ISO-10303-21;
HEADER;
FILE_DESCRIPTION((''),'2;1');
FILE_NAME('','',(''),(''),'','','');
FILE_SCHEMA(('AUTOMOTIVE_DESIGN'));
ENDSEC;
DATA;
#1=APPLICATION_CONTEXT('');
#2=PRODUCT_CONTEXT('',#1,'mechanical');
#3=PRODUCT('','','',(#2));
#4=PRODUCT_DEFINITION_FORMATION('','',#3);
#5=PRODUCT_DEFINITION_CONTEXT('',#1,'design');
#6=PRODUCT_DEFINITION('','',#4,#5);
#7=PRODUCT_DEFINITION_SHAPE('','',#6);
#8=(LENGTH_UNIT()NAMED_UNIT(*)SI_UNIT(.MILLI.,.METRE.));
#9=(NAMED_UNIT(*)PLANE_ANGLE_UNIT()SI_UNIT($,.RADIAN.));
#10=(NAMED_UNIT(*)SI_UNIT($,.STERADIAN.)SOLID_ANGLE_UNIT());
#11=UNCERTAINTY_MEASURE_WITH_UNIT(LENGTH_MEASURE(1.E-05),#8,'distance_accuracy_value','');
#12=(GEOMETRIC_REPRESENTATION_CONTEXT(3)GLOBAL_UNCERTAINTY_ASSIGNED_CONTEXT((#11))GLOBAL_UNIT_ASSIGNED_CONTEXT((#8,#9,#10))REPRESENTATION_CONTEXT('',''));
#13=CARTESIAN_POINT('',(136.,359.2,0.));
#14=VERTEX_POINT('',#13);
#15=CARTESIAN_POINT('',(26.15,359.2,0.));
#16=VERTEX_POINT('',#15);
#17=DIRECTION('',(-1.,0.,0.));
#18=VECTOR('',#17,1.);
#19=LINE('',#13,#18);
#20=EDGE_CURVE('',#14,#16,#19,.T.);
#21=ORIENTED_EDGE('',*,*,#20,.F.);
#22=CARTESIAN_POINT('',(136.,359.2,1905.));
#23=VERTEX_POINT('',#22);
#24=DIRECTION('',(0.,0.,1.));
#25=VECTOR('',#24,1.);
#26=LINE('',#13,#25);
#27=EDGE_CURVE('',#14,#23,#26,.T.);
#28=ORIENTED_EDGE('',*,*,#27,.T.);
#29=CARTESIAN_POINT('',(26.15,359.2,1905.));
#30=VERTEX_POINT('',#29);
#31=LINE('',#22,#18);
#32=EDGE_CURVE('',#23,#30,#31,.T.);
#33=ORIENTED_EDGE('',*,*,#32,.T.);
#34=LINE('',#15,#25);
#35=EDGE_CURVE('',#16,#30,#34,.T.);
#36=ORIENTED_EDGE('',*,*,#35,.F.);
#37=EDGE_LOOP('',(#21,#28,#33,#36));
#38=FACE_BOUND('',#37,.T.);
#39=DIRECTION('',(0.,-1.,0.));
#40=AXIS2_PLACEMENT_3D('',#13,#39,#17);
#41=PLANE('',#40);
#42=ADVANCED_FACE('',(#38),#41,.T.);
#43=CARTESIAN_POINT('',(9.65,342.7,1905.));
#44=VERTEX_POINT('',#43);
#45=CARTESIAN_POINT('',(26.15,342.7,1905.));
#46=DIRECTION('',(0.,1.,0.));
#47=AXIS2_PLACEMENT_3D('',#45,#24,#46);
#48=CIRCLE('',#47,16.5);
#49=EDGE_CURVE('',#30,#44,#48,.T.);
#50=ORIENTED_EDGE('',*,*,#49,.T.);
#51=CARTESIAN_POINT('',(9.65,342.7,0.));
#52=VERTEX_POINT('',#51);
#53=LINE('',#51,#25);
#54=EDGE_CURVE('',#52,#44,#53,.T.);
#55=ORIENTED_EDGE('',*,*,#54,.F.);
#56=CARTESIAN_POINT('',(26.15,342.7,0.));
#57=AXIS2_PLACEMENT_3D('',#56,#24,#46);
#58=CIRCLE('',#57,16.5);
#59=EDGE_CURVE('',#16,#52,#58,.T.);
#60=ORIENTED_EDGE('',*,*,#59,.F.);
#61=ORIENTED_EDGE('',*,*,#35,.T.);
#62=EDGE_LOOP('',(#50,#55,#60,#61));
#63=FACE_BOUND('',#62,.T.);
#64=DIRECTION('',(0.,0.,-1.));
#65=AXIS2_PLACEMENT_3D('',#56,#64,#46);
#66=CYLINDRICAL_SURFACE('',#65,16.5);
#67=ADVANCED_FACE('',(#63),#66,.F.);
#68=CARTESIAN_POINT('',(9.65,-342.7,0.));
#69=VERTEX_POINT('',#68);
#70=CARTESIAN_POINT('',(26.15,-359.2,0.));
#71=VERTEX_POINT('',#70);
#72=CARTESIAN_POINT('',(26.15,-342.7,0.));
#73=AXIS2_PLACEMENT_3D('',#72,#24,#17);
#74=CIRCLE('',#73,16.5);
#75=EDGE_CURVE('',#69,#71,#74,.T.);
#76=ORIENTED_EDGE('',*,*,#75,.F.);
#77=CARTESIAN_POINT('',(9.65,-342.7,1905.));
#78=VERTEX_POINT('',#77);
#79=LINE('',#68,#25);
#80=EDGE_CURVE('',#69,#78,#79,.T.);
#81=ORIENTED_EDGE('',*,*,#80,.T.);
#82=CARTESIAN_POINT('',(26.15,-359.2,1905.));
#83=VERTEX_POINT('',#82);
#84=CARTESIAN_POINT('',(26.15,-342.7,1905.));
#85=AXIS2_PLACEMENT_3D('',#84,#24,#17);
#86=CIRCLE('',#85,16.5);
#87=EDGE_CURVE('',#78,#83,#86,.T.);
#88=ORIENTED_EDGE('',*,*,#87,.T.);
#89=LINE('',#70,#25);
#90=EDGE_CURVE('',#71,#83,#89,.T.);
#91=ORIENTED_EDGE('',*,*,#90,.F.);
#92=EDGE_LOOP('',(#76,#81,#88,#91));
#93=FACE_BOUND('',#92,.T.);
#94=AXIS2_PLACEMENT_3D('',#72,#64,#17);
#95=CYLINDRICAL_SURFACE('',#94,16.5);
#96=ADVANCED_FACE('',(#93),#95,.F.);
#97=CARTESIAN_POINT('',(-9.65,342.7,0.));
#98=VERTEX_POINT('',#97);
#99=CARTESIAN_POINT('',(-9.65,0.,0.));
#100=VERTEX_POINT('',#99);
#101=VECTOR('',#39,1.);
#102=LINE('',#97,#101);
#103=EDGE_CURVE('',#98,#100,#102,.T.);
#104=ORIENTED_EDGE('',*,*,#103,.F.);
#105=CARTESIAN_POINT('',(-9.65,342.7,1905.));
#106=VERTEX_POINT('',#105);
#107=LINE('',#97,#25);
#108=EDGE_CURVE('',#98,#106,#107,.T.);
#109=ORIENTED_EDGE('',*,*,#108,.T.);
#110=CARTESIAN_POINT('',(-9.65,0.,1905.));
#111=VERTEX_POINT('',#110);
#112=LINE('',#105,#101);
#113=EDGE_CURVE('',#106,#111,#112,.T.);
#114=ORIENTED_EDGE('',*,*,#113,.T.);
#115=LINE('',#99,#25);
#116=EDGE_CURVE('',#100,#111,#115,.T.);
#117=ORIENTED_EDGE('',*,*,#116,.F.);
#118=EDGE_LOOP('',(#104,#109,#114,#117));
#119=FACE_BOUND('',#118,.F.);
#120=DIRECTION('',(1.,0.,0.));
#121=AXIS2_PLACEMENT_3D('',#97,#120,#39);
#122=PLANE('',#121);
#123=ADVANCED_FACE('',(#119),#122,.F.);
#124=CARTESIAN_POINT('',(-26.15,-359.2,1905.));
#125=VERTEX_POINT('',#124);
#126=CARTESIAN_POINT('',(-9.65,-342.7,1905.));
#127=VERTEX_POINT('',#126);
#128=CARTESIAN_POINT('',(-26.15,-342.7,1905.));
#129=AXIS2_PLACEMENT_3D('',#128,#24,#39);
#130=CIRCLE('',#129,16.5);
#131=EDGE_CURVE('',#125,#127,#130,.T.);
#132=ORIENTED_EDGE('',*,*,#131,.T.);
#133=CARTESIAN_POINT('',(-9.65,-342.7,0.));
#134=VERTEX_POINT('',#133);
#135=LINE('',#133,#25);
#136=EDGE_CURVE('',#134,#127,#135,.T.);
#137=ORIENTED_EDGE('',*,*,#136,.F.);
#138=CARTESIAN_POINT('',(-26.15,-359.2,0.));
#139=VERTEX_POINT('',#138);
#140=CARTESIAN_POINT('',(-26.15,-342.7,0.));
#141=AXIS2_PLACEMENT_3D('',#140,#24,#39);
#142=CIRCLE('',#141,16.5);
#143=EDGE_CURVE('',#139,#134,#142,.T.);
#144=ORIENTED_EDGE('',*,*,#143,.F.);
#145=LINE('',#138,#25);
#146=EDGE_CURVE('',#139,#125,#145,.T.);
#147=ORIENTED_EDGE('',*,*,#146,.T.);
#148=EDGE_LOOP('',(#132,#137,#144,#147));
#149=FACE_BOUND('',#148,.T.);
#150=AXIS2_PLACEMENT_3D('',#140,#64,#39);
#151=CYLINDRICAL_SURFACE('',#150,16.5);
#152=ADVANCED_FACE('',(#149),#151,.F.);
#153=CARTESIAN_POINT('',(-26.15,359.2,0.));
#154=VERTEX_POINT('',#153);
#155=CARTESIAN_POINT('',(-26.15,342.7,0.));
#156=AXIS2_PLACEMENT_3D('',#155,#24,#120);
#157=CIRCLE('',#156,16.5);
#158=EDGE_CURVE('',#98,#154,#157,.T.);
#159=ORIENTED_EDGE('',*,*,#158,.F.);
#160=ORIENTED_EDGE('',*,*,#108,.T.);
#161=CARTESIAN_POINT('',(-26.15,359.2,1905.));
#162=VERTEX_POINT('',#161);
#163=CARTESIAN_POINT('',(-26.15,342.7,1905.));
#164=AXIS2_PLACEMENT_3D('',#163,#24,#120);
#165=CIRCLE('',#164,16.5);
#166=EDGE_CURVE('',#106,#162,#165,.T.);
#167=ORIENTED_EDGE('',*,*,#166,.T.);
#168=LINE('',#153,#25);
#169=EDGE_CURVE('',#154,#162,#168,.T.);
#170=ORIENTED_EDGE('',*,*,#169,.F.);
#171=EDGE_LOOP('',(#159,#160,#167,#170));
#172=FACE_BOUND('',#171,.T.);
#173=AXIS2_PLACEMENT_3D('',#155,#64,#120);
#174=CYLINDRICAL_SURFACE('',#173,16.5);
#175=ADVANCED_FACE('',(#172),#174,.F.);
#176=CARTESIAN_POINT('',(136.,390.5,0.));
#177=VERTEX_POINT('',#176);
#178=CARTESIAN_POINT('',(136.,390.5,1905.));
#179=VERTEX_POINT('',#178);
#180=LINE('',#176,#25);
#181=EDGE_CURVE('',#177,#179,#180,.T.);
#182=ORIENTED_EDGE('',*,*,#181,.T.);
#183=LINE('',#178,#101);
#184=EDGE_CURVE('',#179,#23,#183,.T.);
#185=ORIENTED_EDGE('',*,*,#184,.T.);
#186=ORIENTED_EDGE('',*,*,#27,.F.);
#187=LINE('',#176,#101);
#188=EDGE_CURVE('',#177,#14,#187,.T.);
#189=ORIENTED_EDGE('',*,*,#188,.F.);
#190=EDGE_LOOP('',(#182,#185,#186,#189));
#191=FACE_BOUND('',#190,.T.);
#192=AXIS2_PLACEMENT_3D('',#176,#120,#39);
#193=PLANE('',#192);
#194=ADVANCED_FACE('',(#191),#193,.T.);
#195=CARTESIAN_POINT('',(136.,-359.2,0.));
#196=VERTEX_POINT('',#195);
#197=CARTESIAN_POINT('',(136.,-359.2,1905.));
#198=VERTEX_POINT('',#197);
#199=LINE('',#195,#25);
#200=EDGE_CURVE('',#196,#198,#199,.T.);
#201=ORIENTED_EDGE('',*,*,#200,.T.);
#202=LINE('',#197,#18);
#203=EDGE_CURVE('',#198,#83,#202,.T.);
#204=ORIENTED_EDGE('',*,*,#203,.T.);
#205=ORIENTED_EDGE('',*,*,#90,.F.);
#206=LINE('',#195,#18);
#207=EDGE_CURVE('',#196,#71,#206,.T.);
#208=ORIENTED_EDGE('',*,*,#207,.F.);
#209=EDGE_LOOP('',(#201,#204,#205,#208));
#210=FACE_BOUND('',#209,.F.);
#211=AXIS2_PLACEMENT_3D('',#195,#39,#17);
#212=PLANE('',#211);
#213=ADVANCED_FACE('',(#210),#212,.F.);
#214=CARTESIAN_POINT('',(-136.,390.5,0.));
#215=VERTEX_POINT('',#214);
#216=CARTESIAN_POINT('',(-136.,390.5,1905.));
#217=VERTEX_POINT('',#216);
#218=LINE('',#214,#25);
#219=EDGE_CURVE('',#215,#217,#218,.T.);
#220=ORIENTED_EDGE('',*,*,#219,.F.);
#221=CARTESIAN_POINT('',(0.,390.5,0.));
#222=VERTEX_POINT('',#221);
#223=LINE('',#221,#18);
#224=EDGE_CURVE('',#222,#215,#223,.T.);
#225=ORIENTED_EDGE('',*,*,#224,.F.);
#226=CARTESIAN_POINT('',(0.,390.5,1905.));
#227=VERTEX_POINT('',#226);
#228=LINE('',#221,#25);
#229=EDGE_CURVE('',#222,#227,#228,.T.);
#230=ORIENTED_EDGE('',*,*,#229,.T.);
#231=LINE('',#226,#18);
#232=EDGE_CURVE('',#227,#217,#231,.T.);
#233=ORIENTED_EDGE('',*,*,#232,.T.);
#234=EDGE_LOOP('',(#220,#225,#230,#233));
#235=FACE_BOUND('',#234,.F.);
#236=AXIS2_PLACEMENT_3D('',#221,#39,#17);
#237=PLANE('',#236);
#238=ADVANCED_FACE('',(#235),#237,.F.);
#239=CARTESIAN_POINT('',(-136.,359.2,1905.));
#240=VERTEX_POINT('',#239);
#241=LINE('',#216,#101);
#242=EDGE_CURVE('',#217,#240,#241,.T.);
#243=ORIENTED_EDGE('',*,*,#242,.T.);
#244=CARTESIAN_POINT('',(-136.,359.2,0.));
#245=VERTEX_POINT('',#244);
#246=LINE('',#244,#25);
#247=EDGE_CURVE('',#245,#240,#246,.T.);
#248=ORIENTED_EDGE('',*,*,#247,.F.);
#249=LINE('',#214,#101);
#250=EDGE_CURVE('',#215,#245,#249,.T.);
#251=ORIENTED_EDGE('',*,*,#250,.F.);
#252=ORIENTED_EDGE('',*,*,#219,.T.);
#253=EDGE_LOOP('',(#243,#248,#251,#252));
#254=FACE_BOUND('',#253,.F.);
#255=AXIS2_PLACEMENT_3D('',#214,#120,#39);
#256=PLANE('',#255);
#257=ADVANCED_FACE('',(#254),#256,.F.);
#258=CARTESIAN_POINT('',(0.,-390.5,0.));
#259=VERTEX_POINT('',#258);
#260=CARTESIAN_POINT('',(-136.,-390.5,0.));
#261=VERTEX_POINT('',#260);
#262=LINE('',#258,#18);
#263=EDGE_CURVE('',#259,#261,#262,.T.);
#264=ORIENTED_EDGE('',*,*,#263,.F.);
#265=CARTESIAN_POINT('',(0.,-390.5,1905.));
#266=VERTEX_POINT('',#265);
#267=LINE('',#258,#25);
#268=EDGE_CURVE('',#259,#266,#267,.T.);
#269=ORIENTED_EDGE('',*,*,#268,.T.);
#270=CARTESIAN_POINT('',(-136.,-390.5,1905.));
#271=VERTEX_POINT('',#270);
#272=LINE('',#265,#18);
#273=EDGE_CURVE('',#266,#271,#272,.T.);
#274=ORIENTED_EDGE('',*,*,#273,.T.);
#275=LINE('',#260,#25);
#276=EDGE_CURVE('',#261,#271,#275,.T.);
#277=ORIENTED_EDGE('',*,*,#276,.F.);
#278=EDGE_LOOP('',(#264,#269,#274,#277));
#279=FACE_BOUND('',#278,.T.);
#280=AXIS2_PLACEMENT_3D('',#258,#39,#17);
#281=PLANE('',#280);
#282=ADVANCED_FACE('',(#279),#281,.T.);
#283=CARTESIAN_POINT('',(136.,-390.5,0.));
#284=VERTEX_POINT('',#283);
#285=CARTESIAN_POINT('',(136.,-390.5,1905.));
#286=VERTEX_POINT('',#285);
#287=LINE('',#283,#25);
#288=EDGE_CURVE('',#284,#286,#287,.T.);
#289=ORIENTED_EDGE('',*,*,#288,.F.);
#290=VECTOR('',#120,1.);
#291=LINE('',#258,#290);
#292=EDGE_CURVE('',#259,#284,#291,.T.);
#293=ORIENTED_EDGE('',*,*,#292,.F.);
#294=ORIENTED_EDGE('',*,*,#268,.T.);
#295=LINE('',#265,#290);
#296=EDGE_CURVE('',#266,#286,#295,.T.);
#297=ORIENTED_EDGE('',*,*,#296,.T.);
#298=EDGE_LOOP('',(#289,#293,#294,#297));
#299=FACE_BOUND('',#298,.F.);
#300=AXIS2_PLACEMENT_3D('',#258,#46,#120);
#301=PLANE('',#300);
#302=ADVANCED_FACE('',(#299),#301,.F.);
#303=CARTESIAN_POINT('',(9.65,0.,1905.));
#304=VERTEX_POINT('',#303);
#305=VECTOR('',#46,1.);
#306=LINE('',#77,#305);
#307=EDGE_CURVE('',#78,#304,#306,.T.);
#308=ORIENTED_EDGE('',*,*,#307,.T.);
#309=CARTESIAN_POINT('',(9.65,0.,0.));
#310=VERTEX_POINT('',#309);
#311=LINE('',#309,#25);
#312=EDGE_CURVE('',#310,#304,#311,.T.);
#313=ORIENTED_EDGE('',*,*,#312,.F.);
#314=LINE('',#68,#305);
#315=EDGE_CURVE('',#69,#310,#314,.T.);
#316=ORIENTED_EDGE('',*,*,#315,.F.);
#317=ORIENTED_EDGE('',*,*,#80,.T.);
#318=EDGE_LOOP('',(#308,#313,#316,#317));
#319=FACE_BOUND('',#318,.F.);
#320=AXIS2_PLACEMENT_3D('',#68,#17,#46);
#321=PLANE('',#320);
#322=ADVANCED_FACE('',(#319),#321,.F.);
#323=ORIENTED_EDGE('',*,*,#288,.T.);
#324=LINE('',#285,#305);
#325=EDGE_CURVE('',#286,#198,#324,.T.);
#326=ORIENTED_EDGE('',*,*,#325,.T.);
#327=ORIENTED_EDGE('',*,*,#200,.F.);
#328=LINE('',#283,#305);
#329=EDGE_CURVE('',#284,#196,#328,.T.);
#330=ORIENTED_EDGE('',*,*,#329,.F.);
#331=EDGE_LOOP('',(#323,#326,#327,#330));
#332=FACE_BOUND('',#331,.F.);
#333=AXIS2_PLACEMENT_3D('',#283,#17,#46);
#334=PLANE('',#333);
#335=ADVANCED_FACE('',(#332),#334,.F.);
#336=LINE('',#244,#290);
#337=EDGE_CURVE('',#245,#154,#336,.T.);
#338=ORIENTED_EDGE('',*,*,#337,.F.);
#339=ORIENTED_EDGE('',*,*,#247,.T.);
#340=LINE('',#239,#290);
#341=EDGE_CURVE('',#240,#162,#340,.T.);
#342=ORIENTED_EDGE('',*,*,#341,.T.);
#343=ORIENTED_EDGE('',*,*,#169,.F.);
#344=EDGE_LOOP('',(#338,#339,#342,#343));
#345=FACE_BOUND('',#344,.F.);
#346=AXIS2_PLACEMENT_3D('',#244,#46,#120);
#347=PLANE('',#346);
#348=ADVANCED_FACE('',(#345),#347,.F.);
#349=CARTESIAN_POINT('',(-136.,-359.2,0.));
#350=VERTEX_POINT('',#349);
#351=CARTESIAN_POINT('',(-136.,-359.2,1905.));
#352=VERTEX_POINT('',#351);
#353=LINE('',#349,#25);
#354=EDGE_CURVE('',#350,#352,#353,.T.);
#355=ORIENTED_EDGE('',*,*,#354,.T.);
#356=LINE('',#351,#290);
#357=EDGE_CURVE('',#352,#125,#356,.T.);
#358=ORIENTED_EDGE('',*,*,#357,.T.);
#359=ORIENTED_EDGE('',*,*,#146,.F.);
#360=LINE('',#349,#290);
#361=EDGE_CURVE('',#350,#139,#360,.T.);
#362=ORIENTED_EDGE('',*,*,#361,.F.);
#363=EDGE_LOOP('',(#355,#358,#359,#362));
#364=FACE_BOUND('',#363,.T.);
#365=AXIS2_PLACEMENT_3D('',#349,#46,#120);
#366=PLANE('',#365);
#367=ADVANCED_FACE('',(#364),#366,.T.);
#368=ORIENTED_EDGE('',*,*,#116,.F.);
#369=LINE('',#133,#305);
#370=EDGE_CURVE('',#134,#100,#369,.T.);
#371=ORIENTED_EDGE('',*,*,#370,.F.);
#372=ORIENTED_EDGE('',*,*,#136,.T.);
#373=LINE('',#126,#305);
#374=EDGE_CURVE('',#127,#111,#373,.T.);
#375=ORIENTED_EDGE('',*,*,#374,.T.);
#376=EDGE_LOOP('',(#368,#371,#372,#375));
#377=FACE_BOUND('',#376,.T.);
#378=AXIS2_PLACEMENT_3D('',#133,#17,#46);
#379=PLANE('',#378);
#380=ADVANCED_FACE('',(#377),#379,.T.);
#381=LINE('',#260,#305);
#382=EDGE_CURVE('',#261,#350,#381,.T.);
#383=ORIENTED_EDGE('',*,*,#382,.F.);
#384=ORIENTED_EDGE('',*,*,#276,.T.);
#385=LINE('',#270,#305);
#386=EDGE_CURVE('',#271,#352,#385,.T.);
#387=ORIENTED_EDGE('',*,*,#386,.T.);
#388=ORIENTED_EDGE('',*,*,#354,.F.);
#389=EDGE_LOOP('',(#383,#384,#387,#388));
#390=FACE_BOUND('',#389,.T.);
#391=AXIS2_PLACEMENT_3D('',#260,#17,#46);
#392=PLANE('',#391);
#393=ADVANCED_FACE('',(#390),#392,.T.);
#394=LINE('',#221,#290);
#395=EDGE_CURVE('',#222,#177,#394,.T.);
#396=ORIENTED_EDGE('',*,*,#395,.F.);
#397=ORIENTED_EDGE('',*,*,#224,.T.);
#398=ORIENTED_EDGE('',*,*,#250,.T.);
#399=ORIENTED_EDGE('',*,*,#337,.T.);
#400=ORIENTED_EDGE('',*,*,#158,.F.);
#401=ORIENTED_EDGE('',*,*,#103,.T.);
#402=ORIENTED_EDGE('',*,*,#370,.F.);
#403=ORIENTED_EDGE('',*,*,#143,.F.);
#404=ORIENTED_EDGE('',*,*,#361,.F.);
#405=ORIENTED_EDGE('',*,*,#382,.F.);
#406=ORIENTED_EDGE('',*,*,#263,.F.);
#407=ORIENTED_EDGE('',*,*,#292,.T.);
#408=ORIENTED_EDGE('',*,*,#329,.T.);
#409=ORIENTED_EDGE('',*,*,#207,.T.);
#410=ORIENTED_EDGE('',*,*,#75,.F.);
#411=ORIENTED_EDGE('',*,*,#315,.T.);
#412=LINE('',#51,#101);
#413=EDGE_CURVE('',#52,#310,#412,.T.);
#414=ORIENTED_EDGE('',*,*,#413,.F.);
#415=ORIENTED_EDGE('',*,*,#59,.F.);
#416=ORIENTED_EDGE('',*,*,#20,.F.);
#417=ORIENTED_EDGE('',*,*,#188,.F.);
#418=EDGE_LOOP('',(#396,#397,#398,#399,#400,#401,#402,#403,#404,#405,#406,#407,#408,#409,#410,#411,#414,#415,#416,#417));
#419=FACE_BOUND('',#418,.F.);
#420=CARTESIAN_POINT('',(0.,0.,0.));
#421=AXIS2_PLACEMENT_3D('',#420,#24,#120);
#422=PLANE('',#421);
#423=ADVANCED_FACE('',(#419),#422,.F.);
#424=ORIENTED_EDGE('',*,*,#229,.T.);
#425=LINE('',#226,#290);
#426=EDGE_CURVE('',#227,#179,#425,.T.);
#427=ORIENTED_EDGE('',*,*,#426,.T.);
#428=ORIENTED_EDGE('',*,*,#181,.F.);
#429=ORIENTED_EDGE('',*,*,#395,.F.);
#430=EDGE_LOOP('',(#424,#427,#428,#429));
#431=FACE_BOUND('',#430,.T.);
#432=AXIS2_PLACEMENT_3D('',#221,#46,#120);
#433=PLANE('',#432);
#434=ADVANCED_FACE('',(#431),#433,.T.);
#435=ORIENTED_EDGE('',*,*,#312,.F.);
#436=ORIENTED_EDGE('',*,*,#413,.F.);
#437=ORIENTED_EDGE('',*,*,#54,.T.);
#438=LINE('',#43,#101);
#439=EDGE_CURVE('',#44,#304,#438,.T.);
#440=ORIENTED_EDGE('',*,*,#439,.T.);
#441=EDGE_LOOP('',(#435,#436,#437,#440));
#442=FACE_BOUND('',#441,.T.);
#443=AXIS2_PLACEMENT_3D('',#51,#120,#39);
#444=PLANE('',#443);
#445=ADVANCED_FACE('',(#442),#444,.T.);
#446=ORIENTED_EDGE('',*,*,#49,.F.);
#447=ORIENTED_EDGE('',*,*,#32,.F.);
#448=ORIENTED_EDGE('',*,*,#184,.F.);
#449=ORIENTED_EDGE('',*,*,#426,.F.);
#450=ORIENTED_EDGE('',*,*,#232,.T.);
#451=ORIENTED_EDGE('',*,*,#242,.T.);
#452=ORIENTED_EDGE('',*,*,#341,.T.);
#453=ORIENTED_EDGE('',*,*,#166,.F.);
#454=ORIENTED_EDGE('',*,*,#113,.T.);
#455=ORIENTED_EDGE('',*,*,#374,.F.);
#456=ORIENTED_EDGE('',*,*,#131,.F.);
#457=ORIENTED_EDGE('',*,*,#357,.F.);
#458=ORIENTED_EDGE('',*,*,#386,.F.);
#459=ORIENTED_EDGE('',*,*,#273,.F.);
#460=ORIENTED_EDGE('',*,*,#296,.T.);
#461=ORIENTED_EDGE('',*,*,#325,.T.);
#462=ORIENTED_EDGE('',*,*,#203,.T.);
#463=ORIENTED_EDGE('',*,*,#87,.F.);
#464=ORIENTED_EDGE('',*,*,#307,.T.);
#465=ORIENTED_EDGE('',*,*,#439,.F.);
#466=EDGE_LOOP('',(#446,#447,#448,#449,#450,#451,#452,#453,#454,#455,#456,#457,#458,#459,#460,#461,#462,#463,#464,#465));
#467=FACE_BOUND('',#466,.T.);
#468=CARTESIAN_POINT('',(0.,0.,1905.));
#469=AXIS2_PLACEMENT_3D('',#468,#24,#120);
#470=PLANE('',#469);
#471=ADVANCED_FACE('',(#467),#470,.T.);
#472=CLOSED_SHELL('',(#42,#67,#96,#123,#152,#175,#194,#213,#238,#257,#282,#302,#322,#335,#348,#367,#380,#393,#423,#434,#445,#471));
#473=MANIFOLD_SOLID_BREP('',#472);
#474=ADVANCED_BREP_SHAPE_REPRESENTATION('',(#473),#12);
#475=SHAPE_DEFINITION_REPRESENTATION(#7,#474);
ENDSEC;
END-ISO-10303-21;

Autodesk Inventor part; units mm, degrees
ref_plane "YZ Plane" through (0, 0, 0) normal (1, 0, 0) x (0, 1, 0)
ref_plane "Start plane" through (0, 0, 0) normal (0, 0, 1) x (1, 0, 0)
ref_plane "End plane" through (0, 0, 1905) normal (0, 0, 1) x (1, 0, 0)
sketch "Sketch" plane through (0, 0, 0) normal (0, 0, 1) x (1, 0, 0)
  line L0 (-136, -390.5) -> (-136, -359.2)
  line L1 (-136, -359.2) -> (-26.15, -359.2)
  line L2 (-9.65, -342.7) -> (-9.65, 0)
  line L3 (-9.65, 0) -> (0, 0) construction
  line L4 (0, 0) -> (0, -390.5) construction
  line L5 (0, -390.5) -> (-136, -390.5)
  line L6 (-60, 0) -> (80, 0) construction
  line L7 (0, -60) -> (0, 80) construction
  line L8 (136, -390.5) -> (136, -359.2)
  line L9 (136, -359.2) -> (26.15, -359.2)
  line L10 (9.65, -342.7) -> (9.65, 0)
  line L11 (9.65, 0) -> (0, 0) construction
  line L12 (0, -390.5) -> (136, -390.5)
  line L13 (-136, 390.5) -> (-136, 359.2)
  line L14 (-136, 359.2) -> (-26.15, 359.2)
  line L15 (-9.65, 342.7) -> (-9.65, 0)
  line L16 (0, 390.5) -> (-136, 390.5)
  line L17 (136, 390.5) -> (136, 359.2)
  line L18 (136, 359.2) -> (26.15, 359.2)
  line L19 (0, 390.5) -> (136, 390.5)
  line L20 (9.65, 342.7) -> (9.65, 0)
  arc A0 (-9.65, 342.7) -> (-26.15, 359.2) centre (-26.15, 342.7) ccw
  arc A1 (26.15, 359.2) -> (9.65, 342.7) centre (26.15, 342.7) ccw
  arc A2 (9.65, -342.7) -> (26.15, -359.2) centre (26.15, -342.7) ccw
  arc A3 (-26.15, -359.2) -> (-9.65, -342.7) centre (-26.15, -342.7) ccw
  line L21 (0, 108) -> (0, -88) construction
  line L22 (-88, 0) -> (108, 0) construction
  point P0 (-9.65, -359.2)
  point P1 (9.65, -359.2)
  point P2 (-9.65, 359.2)
  point P3 (9.65, 359.2)
  dimension "d1" = 390.5
  dimension "d2" = 31.3
  dimension "d3" = 136
  dimension "d4" = 9.65
  dimension "d10" = 16.5
extrude "Body" add sketch "Sketch" along normal up to surface (1905 mm away) from surface at 0
sketch "Sketch4" plane through (0, 0, 0) normal (0, 0, 1) x (1, 0, 0)
  line L0 (0, 0) -> (10, 0)
ref_plane "Work Plane3" through (0, 0, 0) normal (0, -1, 0) x (1, 0, 0)
sketch "Sketch5" plane through (0, 0, 0) normal (0, -1, 0) x (1, 0, 0)
  line L0 (-2, 0) -> (12, 0) projected
  line L1 (-2, 1905) -> (12, 1905) projected
  dimension "d14" = 1905
equation "\"d1\" = 0.5 * G_H"
equation "\"d2\" = G_T1"
equation "\"d3\" = 0.5 * G_W"
equation "\"d4\" = 0.5 * G_T"
equation "\"d10\" = G_IR"
equation "\"d5\" = G_L"
equation "\"G_W\" = 272"
equation "\"G_H\" = 781"
equation "\"G_T\" = 19.3"
equation "\"G_T1\" = 31.3"
equation "\"G_IR\" = 16.5"
equation "\"G_L\" = d14"
equation "\"G_OFFSET_START\" = 0"
equation "\"G_OFFSET_END\" = 0"
equation "\"d12\" = G_OFFSET_END + B_L"
equation "\"B_L\" = 1905"
properties part number "AS 3679-1990 - 760 UB - 244 - 1905" material "Steel, Mild"
